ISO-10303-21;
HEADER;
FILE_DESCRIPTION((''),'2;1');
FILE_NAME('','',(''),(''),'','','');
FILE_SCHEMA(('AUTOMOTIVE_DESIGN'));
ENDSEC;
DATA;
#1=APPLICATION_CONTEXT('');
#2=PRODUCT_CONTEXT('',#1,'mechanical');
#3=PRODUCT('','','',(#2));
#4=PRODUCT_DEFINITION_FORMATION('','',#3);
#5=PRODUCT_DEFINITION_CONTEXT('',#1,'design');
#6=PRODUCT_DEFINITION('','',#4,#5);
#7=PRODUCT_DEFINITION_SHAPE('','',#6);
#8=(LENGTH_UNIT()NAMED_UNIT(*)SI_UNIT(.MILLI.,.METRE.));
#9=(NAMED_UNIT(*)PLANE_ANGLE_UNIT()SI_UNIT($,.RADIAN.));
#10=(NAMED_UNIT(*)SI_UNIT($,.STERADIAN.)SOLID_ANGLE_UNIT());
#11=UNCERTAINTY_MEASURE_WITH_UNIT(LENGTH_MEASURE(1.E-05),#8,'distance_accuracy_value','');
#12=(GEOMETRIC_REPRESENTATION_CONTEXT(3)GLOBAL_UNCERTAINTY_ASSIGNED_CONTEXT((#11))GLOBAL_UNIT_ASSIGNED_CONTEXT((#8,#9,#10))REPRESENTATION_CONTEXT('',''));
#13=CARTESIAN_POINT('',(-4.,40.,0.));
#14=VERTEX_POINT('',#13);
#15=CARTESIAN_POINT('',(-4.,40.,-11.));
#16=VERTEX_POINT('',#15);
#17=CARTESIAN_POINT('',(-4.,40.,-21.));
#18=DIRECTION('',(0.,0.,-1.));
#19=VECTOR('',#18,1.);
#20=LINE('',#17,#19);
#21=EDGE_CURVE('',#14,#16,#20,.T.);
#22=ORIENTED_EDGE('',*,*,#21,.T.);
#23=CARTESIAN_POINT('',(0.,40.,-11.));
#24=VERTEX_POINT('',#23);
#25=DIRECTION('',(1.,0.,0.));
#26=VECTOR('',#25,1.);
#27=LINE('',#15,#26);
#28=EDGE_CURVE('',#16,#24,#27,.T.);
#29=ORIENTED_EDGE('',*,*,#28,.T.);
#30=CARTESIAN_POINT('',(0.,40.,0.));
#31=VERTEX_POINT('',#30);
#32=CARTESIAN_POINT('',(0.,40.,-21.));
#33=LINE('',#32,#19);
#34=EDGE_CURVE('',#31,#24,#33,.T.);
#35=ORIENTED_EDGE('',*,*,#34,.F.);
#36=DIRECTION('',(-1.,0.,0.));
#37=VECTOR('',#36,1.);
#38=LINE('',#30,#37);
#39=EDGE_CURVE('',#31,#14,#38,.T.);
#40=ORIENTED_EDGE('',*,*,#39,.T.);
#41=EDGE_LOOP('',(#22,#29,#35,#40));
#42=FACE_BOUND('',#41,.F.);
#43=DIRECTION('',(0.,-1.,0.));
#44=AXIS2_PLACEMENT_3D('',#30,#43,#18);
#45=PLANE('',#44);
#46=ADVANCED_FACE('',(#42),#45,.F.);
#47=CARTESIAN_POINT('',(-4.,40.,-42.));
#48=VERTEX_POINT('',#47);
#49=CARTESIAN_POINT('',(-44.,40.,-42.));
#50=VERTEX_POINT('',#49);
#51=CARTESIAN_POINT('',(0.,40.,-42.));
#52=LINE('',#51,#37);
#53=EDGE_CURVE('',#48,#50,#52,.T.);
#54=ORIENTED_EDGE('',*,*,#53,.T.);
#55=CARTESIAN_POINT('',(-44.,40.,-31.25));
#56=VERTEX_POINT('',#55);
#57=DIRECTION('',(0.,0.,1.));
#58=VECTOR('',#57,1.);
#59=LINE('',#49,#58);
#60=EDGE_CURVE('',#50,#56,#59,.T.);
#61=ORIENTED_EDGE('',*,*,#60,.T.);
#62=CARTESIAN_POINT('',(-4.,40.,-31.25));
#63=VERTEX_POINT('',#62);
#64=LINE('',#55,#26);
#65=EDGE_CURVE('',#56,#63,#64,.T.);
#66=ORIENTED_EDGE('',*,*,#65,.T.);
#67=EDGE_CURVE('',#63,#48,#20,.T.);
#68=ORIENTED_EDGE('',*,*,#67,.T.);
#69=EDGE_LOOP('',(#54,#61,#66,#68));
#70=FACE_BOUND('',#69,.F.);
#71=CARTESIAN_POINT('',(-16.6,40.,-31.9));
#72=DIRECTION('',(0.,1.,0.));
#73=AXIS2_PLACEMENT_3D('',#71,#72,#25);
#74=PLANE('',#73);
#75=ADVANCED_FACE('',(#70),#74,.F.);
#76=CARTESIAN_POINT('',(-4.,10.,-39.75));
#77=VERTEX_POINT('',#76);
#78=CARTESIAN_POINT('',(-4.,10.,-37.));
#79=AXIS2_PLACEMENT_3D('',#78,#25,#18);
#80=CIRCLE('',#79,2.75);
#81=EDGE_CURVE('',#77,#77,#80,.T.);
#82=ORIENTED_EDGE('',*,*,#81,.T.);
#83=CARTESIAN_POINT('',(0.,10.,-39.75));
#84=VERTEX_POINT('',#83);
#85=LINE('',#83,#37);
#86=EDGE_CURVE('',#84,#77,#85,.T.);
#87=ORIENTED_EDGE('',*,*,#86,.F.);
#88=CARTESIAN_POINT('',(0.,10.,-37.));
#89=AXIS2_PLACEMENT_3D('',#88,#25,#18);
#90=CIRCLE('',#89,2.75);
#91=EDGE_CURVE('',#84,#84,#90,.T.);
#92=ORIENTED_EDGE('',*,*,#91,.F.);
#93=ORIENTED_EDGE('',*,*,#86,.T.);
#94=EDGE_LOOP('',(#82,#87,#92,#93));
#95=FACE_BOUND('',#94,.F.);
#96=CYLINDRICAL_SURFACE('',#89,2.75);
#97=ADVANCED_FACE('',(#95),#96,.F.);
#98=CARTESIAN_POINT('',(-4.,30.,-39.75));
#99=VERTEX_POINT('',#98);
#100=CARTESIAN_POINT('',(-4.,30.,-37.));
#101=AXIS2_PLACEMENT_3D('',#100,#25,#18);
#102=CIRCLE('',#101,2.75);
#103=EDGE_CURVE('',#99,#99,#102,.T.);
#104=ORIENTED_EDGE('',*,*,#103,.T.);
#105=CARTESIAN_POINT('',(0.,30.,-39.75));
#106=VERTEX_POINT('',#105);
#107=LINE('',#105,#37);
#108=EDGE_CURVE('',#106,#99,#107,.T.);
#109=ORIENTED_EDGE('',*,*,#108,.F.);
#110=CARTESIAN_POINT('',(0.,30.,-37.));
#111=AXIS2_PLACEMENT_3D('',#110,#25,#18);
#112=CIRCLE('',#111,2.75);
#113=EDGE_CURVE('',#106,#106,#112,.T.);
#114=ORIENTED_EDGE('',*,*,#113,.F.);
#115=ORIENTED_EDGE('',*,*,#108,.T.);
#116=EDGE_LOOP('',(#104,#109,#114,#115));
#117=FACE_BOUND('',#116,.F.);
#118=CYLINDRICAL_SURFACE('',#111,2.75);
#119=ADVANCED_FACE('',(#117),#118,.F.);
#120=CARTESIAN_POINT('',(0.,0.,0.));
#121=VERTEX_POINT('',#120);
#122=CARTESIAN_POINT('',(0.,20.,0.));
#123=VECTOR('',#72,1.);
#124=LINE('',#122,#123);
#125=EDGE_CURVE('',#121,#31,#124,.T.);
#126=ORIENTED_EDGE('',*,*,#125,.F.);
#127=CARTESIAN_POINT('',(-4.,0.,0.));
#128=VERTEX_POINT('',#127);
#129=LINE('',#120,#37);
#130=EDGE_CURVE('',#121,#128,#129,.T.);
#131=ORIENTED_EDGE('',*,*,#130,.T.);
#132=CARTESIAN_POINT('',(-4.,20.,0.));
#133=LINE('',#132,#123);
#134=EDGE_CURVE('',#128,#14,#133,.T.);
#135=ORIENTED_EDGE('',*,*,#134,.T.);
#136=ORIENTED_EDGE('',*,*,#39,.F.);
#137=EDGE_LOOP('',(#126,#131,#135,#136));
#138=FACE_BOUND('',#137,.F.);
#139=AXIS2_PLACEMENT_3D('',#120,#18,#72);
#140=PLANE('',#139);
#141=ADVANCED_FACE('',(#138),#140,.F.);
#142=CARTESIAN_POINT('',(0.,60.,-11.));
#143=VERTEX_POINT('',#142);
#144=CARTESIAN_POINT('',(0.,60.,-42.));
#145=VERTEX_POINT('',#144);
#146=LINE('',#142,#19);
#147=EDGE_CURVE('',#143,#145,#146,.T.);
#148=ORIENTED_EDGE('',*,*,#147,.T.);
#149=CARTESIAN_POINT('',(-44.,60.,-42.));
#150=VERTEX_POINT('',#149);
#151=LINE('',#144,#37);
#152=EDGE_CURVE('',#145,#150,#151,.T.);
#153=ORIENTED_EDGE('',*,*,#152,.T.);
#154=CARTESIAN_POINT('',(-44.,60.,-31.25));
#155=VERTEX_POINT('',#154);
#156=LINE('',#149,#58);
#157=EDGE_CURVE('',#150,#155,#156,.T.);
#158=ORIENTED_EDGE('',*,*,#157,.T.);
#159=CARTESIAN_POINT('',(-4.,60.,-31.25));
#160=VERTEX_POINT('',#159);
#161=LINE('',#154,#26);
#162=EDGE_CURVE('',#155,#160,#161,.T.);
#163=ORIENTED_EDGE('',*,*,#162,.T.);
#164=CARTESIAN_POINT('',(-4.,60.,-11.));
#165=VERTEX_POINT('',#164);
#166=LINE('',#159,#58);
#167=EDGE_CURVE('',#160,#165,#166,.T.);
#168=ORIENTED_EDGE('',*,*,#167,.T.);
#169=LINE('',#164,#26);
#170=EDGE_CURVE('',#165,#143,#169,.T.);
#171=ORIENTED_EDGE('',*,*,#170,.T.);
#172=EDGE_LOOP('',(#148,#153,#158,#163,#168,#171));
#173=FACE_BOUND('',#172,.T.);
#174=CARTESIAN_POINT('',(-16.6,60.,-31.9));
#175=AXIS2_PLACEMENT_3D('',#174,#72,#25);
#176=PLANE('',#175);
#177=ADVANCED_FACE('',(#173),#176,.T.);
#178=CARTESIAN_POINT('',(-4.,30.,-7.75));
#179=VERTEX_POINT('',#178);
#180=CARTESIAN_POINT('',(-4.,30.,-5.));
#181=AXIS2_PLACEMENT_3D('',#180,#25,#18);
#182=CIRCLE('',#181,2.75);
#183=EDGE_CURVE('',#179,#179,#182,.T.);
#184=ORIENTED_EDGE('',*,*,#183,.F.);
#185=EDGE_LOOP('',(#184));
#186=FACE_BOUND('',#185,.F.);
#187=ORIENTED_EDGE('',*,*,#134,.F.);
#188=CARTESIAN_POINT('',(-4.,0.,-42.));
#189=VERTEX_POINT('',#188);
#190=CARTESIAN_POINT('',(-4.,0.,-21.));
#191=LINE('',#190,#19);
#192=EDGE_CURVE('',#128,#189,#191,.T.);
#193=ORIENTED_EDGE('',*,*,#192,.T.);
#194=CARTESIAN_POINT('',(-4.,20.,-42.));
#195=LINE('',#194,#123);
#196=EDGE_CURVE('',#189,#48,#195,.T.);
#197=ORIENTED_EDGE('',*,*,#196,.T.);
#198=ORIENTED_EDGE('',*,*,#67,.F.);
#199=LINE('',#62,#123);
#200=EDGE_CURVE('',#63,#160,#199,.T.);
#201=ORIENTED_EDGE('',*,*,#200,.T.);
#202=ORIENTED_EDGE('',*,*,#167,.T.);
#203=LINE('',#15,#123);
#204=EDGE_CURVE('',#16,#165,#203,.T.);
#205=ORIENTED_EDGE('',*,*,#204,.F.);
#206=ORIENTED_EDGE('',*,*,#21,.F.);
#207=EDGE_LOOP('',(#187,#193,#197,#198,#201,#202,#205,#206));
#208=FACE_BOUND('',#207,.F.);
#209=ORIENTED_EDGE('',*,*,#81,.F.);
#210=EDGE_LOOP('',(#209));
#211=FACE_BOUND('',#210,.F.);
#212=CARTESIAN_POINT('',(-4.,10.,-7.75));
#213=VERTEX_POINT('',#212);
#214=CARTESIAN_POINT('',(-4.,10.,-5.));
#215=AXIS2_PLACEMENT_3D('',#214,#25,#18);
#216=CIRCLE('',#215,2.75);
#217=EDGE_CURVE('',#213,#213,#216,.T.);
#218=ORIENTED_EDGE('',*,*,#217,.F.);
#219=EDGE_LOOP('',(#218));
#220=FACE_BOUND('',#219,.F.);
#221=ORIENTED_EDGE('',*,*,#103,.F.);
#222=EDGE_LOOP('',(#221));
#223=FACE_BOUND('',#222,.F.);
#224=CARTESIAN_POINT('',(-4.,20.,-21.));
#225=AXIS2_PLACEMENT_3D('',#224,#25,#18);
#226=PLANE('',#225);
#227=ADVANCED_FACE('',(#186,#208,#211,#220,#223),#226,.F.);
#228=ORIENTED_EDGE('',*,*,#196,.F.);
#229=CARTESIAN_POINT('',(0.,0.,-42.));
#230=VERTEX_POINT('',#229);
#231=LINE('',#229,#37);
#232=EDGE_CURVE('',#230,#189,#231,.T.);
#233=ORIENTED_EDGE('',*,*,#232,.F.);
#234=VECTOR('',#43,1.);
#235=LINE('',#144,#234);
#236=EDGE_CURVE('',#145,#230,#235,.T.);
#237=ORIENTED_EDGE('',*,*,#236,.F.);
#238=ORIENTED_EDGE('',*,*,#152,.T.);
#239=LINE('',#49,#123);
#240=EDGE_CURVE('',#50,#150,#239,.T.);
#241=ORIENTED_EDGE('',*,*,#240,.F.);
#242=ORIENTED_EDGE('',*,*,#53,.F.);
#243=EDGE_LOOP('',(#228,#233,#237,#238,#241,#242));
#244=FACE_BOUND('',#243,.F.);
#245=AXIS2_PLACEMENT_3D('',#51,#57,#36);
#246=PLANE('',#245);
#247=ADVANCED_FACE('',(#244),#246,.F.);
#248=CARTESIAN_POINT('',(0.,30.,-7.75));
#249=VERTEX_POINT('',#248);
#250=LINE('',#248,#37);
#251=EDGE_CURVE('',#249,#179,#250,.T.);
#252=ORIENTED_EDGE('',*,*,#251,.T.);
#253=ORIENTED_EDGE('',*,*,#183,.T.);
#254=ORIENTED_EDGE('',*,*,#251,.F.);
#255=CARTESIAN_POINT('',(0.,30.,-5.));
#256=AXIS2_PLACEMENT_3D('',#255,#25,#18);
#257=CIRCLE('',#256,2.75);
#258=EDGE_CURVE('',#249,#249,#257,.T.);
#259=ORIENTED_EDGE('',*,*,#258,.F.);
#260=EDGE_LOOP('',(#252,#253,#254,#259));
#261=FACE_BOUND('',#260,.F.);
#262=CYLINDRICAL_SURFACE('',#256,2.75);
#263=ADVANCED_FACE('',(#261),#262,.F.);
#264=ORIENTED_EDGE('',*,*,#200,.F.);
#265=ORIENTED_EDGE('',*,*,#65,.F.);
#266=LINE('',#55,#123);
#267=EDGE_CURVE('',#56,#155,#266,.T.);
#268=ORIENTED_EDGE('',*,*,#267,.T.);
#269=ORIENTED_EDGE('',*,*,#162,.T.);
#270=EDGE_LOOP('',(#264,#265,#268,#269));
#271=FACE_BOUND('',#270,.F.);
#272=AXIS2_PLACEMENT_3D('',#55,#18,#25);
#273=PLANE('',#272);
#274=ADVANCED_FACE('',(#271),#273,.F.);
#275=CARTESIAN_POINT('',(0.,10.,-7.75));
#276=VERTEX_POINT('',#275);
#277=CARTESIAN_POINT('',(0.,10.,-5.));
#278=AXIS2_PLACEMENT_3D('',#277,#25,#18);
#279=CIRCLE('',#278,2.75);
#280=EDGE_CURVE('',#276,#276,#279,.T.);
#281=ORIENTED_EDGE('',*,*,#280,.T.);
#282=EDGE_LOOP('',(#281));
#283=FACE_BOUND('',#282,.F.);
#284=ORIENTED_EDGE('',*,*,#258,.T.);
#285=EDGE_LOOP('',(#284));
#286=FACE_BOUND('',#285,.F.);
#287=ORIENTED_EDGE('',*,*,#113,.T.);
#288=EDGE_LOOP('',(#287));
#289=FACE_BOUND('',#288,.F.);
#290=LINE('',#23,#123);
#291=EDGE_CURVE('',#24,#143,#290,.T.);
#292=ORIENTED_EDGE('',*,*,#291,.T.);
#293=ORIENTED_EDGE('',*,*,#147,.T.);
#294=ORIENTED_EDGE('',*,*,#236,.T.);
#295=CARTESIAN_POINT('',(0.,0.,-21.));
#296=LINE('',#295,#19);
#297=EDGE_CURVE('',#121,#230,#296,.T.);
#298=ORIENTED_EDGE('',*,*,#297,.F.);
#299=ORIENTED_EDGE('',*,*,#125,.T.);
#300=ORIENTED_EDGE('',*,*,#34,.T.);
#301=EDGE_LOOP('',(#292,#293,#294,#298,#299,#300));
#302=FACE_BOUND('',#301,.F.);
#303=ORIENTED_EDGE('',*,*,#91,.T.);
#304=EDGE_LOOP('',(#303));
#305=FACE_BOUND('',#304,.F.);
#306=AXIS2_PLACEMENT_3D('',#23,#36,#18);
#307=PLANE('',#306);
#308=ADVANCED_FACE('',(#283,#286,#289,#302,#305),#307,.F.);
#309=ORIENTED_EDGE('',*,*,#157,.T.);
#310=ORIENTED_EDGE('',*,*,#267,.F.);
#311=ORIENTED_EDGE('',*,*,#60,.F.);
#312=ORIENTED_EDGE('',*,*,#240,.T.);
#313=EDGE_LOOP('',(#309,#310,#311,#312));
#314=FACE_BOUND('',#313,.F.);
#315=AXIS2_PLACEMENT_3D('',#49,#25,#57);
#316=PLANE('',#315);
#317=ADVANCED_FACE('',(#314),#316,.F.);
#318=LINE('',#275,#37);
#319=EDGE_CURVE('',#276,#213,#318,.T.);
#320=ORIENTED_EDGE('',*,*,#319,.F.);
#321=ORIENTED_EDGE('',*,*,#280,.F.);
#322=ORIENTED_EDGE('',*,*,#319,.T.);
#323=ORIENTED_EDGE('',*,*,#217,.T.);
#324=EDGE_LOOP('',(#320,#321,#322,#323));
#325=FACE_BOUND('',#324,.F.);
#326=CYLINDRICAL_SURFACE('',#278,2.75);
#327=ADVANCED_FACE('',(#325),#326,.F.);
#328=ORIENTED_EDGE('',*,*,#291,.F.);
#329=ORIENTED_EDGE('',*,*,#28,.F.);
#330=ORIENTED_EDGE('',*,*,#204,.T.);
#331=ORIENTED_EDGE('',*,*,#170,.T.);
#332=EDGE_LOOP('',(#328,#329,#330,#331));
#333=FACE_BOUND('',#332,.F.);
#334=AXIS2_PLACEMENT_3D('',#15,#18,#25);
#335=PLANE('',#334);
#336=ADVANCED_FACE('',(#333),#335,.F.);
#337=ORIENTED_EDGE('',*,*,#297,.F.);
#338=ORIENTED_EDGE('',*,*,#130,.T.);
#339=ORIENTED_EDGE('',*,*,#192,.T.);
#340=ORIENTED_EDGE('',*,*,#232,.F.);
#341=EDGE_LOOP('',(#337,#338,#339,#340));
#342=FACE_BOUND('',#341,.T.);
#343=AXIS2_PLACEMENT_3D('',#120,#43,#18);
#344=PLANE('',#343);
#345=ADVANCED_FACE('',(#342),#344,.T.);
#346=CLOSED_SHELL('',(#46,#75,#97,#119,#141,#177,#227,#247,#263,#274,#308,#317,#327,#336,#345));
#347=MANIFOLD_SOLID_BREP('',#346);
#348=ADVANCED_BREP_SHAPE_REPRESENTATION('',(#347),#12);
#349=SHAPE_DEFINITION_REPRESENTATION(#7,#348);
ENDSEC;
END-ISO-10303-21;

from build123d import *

# Parameters (mm, degrees)
SKETCH1_W           = 42
SKETCH1_H           = 40
SKETCH1_R           = 2.75
BOSS_EXTRUDE1_DEPTH = 4
BOSS_EXTRUDE2_DEPTH = 20


with BuildPart() as part:
    # Sketch1 → Boss-Extrude1 (new body)
    with BuildSketch(Plane(origin=(0, 0, 0), x_dir=(0, 0, -1), z_dir=(1, 0, 0))):
        with Locations((21, 20)):
            Rectangle(SKETCH1_W, SKETCH1_H)
        with Locations((5, 30)):
            Circle(SKETCH1_R, mode=Mode.SUBTRACT)
        with Locations((5, 10)):
            Circle(SKETCH1_R, mode=Mode.SUBTRACT)
        with Locations((37, 10)):
            Circle(SKETCH1_R, mode=Mode.SUBTRACT)
        with Locations((37, 30)):
            Circle(SKETCH1_R, mode=Mode.SUBTRACT)
    extrude(amount=-BOSS_EXTRUDE1_DEPTH)

    # Sketch3 → Boss-Extrude2 (add)
    with BuildSketch(Plane(origin=(0, 40, 0), x_dir=(1, 0, 0), z_dir=(0, 1, 0))):
        Polygon((0, 42), (-44, 42), (-44, 31.25), (-4, 31.25), (-4, 11), (0, 11), align=None)
    extrude(amount=BOSS_EXTRUDE2_DEPTH)


solid = part.part
